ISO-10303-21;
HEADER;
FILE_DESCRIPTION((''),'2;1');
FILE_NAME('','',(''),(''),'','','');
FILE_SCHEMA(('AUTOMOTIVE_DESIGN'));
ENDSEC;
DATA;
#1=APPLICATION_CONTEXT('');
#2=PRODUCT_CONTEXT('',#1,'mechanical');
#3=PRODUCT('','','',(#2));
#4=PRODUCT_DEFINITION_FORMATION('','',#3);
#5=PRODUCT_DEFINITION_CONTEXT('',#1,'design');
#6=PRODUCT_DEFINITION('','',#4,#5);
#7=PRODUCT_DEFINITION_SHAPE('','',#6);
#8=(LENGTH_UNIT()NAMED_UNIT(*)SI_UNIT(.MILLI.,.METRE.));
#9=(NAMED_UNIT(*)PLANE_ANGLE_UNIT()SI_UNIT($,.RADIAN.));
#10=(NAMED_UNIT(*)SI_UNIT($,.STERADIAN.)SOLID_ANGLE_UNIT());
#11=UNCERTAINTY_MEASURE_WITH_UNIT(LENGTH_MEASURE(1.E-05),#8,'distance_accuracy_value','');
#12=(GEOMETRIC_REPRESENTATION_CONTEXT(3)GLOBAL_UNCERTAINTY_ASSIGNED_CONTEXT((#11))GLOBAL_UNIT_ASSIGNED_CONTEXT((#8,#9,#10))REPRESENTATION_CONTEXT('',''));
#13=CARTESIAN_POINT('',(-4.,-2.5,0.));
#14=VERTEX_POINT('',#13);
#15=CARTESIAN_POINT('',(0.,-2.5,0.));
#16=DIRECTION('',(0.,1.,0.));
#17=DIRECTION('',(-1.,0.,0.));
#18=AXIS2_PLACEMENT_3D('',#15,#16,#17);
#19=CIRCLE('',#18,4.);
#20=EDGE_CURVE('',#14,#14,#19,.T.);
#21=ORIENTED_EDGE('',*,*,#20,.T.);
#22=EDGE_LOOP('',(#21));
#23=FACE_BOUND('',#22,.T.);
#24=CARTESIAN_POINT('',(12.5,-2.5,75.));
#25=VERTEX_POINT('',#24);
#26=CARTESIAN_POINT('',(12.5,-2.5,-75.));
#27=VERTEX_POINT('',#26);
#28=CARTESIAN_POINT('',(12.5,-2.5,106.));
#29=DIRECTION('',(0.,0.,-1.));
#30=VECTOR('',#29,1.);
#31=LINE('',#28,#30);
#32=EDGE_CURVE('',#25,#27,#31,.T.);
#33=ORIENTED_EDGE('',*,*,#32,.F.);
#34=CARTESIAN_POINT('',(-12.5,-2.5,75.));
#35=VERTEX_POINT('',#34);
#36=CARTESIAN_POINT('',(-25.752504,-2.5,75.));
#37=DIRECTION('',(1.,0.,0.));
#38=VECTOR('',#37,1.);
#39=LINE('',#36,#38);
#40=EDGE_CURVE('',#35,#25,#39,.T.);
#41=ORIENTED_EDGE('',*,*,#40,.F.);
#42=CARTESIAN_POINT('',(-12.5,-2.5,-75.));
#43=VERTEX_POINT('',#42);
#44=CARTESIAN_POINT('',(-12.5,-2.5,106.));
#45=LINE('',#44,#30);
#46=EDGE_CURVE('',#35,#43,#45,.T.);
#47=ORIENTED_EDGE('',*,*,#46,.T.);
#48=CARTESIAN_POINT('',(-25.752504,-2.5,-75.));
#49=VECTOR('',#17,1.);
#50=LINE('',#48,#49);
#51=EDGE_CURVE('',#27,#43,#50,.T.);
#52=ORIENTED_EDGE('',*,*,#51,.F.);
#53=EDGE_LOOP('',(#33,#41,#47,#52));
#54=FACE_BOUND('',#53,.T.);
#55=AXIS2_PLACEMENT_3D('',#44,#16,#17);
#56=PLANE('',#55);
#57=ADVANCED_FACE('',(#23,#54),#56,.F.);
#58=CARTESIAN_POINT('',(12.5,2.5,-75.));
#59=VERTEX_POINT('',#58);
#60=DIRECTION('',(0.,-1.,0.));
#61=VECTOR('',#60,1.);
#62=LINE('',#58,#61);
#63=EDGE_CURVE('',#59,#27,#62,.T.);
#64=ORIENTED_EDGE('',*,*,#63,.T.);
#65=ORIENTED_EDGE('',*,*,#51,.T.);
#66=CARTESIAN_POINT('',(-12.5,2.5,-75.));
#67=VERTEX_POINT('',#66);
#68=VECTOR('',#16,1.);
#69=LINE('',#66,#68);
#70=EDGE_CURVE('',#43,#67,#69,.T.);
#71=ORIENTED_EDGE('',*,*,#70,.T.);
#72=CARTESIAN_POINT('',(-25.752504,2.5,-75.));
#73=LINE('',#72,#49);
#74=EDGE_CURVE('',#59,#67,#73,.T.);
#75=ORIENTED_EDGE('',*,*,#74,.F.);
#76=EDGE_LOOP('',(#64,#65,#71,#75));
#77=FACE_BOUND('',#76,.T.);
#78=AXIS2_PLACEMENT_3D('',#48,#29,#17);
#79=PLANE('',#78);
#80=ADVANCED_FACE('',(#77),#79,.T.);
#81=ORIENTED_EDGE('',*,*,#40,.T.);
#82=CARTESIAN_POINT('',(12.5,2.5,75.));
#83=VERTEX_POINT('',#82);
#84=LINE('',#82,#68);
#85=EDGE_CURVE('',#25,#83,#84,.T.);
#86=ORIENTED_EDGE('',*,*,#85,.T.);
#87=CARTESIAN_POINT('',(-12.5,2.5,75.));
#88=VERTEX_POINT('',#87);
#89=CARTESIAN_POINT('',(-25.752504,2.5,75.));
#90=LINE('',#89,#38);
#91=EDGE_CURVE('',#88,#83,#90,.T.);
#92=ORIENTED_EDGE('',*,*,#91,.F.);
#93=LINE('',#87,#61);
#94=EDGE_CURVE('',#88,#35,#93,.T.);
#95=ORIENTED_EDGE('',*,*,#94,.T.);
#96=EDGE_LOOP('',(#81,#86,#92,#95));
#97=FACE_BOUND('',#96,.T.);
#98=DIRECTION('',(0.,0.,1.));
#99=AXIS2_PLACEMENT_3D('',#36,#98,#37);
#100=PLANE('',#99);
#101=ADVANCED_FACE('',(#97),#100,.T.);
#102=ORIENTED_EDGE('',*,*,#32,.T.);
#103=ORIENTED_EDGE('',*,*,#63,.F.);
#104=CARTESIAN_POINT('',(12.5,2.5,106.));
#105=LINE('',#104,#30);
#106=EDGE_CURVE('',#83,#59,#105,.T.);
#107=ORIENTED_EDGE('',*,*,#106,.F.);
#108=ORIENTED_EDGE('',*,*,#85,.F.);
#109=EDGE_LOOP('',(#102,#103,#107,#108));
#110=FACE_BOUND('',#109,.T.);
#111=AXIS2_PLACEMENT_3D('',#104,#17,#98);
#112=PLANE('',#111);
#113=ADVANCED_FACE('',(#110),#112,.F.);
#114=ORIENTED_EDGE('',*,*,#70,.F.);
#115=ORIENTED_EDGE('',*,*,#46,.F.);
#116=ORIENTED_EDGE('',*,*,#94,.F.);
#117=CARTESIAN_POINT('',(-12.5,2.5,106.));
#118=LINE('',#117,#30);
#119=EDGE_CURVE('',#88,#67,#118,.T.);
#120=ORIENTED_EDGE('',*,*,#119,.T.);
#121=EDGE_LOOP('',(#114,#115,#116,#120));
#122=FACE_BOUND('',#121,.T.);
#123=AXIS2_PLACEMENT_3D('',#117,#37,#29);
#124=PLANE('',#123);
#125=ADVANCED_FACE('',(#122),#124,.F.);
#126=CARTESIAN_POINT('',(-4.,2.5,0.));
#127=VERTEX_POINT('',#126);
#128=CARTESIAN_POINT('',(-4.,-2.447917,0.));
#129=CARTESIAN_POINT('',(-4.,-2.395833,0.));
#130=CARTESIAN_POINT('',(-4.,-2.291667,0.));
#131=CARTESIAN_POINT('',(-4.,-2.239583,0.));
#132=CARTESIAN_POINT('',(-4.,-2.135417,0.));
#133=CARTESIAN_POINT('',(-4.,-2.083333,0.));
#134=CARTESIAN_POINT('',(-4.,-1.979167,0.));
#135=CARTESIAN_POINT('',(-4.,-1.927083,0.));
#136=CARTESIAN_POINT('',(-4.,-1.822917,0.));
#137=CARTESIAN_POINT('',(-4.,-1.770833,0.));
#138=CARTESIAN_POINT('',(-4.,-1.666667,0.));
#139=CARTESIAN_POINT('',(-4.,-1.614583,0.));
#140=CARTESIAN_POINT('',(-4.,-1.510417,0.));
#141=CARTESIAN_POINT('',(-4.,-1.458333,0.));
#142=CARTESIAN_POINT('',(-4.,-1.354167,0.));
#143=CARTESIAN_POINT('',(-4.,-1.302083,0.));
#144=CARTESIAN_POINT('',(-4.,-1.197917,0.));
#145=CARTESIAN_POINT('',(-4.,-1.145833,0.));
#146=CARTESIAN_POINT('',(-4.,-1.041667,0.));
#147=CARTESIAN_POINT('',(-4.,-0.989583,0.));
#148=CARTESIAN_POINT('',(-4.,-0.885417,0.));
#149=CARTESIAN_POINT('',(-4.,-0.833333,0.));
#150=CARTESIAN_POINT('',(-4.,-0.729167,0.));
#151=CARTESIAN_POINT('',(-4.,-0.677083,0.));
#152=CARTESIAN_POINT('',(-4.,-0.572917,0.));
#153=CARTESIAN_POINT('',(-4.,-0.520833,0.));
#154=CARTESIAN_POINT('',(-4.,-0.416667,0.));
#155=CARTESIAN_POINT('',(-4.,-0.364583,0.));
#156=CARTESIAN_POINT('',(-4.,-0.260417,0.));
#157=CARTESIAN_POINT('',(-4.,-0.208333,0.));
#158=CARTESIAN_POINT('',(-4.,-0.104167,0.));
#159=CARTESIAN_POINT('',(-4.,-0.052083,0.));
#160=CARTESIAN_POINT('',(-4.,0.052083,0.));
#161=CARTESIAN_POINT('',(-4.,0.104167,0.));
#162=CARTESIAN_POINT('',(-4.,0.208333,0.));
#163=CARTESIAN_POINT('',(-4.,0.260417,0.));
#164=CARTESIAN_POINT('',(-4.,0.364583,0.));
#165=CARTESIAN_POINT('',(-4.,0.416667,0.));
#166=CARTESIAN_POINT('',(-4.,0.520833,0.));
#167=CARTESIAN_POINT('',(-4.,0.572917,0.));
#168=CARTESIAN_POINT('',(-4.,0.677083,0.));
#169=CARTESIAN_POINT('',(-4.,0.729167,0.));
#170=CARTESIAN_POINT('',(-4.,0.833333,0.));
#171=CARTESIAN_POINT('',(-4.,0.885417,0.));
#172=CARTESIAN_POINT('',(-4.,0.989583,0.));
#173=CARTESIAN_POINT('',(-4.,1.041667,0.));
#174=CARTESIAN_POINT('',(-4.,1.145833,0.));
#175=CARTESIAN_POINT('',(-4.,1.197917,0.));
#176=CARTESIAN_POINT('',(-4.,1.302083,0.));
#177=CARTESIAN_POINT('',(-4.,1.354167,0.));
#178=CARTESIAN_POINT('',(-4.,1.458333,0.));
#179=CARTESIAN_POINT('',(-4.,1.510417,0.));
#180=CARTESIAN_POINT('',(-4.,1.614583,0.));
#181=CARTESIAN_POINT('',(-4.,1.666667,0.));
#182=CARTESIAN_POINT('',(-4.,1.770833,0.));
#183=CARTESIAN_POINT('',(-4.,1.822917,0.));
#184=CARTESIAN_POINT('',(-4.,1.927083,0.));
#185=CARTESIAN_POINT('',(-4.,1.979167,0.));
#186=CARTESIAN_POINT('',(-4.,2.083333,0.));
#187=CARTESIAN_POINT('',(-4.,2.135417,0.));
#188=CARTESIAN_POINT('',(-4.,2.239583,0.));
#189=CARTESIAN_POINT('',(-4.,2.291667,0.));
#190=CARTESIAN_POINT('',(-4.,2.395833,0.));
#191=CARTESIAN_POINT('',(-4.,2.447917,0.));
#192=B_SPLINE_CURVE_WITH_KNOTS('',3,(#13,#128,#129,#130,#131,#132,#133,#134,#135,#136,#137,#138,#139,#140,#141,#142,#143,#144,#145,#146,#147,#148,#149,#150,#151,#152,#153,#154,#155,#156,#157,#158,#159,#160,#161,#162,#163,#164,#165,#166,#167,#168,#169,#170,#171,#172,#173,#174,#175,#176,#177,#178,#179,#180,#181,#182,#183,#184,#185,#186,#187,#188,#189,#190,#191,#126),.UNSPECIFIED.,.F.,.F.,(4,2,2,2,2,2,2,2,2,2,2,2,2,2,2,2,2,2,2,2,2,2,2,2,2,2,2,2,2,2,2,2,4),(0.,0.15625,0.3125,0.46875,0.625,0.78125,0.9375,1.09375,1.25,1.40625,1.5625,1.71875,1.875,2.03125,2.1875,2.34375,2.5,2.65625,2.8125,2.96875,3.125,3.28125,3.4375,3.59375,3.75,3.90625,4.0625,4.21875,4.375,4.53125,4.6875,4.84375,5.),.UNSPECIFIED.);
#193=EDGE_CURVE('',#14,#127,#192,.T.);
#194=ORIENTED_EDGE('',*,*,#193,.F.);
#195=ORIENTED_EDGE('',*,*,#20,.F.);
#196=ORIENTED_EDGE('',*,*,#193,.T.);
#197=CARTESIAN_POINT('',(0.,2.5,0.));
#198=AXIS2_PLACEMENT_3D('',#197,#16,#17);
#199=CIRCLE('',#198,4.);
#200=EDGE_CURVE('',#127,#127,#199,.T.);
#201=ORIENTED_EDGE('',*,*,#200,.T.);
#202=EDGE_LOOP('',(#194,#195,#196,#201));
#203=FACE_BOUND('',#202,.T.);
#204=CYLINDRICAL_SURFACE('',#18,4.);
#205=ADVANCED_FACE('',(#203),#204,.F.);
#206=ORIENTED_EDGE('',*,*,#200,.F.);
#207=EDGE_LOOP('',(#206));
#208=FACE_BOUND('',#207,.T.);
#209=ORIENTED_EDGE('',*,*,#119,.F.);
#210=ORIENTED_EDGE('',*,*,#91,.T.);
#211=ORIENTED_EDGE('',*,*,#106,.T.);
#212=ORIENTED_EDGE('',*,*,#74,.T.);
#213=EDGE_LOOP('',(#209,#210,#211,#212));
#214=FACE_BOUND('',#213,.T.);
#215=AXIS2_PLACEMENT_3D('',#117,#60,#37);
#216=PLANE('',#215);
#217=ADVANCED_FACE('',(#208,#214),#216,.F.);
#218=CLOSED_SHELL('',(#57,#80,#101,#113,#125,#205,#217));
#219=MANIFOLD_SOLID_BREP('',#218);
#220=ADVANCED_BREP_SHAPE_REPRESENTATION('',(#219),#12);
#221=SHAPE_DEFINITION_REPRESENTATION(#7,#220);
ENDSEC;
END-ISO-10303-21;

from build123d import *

# Parameters (mm, degrees)
SKETCH1_W                       = 25
SKETCH1_H                       = 5
BOSS_EXTRUDE1_DEPTH             = 106
SKETCH2_R                       = 4
HOLES_FOR_20MM_STRIP_ONLY_DEPTH = 107.851532511
SKETCH5_OUTSIDE_W               = 69.706
SKETCH5_OUTSIDE_H               = 256.706
SKETCH5_OUTSIDE_W_2             = 51.505008444
SKETCH5_OUTSIDE_H_2             = 150
CUT_EXTRUDE3_DEPTH              = 107.851532511


with BuildPart() as part:
    # Sketch1 → Boss-Extrude1 (new, symmetric)
    with BuildSketch(Plane.XY):
        Rectangle(SKETCH1_W, SKETCH1_H)
    extrude(amount=BOSS_EXTRUDE1_DEPTH, both=True)

    # Sketch2 → Holes for 20mm strip ONLY (cut, through all)
    with BuildSketch(Plane(origin=(0, 2.5, 0), x_dir=(1, 0, 0), z_dir=(0, 1, 0))):
        with Locations(Location((0, 87.5, 0), (0, 0, 180))):
            Circle(SKETCH2_R)
        with Locations(Location((0, 0, 0), (0, 0, 180))):
            Circle(SKETCH2_R)
        with Locations(Location((0, -87.5, 0), (0, 0, 180))):
            Circle(SKETCH2_R)
    extrude(amount=-HOLES_FOR_20MM_STRIP_ONLY_DEPTH, mode=Mode.SUBTRACT)

    # Sketch5 outside → Cut-Extrude3 (cut, through all)
    with BuildSketch(Plane(origin=(0, 2.5, 0), x_dir=(1, 0, 0), z_dir=(0, 1, 0))):
        Rectangle(SKETCH5_OUTSIDE_W, SKETCH5_OUTSIDE_H)
        Rectangle(SKETCH5_OUTSIDE_W_2, SKETCH5_OUTSIDE_H_2, mode=Mode.SUBTRACT)
    extrude(amount=-CUT_EXTRUDE3_DEPTH, mode=Mode.SUBTRACT)


solid = part.part
